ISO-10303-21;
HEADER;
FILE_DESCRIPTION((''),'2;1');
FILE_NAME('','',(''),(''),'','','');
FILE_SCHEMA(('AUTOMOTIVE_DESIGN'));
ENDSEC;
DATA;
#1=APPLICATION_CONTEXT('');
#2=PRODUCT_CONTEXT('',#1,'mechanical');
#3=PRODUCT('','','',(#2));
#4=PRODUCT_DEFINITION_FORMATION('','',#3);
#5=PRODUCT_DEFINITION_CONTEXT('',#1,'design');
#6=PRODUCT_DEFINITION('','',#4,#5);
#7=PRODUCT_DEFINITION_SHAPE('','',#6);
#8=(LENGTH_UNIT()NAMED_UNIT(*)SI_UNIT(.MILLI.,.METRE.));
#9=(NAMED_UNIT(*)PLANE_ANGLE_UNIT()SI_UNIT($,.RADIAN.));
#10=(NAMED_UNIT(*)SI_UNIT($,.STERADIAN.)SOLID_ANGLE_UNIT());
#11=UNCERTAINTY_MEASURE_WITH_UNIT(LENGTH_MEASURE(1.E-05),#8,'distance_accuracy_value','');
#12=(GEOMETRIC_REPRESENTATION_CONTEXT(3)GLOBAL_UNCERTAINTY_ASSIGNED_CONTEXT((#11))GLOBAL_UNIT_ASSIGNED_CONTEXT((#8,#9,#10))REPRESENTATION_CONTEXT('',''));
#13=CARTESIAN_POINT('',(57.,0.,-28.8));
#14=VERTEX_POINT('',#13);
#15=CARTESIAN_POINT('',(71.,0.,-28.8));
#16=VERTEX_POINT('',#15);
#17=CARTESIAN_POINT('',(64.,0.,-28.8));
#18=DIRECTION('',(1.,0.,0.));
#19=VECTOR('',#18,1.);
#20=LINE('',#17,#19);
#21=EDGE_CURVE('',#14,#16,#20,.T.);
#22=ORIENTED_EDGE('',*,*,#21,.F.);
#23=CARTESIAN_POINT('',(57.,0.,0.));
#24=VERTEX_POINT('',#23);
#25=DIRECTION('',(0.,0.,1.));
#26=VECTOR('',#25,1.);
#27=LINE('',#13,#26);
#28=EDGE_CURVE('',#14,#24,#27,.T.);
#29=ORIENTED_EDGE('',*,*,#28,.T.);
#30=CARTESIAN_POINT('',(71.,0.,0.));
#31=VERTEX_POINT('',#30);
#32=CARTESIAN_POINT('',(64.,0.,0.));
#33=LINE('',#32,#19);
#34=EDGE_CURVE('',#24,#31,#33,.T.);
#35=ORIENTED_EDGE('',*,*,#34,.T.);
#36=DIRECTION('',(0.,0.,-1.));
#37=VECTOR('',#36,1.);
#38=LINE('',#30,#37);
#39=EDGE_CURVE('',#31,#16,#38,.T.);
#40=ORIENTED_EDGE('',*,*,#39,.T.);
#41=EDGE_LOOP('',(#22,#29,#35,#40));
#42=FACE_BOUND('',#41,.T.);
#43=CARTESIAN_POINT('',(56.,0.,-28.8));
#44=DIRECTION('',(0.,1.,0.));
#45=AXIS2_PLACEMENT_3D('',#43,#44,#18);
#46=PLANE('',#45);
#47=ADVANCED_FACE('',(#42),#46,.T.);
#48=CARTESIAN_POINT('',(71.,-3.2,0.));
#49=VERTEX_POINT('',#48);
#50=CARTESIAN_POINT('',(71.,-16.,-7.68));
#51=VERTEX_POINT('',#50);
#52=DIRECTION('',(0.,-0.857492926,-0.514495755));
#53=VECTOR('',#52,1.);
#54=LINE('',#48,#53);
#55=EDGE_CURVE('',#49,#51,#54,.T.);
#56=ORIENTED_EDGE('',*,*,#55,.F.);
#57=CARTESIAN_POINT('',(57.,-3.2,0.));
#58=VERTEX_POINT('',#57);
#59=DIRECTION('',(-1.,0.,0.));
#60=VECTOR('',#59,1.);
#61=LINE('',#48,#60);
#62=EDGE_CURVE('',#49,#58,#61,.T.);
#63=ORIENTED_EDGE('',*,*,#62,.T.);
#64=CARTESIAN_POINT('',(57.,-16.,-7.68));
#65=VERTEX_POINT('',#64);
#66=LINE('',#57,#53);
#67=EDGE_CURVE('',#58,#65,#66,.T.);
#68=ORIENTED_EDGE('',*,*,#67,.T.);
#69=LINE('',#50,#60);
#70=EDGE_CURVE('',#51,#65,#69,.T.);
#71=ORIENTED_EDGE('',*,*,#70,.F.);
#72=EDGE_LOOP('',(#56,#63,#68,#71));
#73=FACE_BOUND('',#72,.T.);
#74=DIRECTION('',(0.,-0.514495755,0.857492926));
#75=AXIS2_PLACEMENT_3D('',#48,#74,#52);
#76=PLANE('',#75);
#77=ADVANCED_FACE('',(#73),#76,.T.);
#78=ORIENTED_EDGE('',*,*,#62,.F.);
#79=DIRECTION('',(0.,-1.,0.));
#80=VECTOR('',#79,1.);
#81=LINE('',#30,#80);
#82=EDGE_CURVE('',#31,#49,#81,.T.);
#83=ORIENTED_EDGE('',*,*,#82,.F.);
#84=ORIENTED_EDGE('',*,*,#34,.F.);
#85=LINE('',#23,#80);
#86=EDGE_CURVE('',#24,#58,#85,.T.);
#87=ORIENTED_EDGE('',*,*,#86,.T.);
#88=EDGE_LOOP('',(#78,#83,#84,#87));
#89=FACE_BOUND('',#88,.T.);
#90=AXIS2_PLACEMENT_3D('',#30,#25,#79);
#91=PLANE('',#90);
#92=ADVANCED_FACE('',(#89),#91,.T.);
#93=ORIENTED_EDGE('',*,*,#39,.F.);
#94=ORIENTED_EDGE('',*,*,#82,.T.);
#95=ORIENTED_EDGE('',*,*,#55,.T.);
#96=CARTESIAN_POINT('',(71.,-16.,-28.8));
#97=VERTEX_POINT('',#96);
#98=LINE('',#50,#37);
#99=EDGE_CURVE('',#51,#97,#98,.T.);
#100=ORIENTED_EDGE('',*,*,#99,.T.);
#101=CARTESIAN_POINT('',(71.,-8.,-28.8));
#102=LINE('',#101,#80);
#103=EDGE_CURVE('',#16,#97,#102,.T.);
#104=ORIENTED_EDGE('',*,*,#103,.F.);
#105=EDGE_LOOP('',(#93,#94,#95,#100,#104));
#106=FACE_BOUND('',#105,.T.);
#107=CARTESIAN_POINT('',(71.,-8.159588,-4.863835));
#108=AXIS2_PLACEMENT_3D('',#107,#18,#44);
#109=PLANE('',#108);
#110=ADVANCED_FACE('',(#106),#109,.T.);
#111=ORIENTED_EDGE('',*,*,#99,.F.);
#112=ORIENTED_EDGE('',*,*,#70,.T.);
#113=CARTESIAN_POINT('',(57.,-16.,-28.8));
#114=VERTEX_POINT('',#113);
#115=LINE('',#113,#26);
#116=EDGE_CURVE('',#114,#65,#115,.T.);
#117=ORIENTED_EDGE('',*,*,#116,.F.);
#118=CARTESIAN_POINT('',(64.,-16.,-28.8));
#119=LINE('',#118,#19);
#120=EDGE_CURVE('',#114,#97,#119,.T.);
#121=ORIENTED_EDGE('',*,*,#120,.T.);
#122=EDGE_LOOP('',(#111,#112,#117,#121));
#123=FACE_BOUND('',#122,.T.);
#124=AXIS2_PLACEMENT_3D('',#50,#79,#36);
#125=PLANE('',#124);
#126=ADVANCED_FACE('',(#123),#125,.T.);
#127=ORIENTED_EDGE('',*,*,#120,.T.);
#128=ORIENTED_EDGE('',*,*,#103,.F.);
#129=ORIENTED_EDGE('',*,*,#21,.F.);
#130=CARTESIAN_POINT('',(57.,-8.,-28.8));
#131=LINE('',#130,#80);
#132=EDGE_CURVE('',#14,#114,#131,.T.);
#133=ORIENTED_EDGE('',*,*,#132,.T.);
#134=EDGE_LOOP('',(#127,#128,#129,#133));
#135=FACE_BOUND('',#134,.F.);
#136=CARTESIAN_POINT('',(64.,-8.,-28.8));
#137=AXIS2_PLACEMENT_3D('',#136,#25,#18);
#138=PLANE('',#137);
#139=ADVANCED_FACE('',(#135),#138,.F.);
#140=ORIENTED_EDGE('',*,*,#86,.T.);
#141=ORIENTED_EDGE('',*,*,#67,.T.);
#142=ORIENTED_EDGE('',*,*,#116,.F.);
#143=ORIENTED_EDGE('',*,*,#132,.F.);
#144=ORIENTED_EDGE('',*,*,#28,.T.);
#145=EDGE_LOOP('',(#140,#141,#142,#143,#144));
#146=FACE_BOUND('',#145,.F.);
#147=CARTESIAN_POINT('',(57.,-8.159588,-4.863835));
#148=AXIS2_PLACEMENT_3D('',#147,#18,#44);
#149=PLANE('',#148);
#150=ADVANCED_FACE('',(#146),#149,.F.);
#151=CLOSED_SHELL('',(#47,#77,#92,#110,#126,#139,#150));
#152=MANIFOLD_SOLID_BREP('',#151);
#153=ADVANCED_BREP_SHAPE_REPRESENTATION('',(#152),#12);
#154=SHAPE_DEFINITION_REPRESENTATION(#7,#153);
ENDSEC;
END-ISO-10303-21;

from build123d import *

# Parameters (mm, degrees)
SKETCH030_W     = 16
SKETCH030_H     = 16
PAD016_DEPTH    = 28.8
POCKET014_DEPTH = 16
SKETCH114_W     = 1
SKETCH114_H     = 16
POCKET030_DEPTH = 30
PAD135_DEPTH    = 14


with BuildPart() as part:
    # Sketch030 (on Face52 of Binder012) → Pad016 (new body)
    with BuildSketch(Plane.XY.offset(-28.8)):
        with Locations((64, -8)):
            Rectangle(SKETCH030_W, SKETCH030_H)
    extrude(amount=PAD016_DEPTH)

    # Sketch031 (on Face2 of Pad016) → Pocket014 (cut)
    with BuildSketch(Plane.YZ.offset(72)):
        Polygon((-16, 0), (-16, -9.6), (0, 0), align=None)
    extrude(amount=-POCKET014_DEPTH, mode=Mode.SUBTRACT)

    # Sketch114 (on Face2 of Pocket014) → Pocket030 (cut)
    with BuildSketch(Plane(origin=(0, 0, -28.8), x_dir=(1, 0, 0), z_dir=(0, 0, -1))):
        with Locations((56.5, 8)):
            Rectangle(SKETCH114_W, SKETCH114_H)
        with Locations((71.5, 8)):
            Rectangle(SKETCH114_W, SKETCH114_H)
    extrude(amount=-POCKET030_DEPTH, mode=Mode.SUBTRACT)

    # Sketch135 (on Face3 of Pocket030) → Pad135 (join)
    with BuildSketch(Plane.YZ.offset(71)):
        Polygon((0, 0), (-3.2, 0), (-16, -7.68), (-16, -10.88), (-3.2, -3.2), (0, -3.2), align=None)
    extrude(amount=-PAD135_DEPTH)


solid = part.part
